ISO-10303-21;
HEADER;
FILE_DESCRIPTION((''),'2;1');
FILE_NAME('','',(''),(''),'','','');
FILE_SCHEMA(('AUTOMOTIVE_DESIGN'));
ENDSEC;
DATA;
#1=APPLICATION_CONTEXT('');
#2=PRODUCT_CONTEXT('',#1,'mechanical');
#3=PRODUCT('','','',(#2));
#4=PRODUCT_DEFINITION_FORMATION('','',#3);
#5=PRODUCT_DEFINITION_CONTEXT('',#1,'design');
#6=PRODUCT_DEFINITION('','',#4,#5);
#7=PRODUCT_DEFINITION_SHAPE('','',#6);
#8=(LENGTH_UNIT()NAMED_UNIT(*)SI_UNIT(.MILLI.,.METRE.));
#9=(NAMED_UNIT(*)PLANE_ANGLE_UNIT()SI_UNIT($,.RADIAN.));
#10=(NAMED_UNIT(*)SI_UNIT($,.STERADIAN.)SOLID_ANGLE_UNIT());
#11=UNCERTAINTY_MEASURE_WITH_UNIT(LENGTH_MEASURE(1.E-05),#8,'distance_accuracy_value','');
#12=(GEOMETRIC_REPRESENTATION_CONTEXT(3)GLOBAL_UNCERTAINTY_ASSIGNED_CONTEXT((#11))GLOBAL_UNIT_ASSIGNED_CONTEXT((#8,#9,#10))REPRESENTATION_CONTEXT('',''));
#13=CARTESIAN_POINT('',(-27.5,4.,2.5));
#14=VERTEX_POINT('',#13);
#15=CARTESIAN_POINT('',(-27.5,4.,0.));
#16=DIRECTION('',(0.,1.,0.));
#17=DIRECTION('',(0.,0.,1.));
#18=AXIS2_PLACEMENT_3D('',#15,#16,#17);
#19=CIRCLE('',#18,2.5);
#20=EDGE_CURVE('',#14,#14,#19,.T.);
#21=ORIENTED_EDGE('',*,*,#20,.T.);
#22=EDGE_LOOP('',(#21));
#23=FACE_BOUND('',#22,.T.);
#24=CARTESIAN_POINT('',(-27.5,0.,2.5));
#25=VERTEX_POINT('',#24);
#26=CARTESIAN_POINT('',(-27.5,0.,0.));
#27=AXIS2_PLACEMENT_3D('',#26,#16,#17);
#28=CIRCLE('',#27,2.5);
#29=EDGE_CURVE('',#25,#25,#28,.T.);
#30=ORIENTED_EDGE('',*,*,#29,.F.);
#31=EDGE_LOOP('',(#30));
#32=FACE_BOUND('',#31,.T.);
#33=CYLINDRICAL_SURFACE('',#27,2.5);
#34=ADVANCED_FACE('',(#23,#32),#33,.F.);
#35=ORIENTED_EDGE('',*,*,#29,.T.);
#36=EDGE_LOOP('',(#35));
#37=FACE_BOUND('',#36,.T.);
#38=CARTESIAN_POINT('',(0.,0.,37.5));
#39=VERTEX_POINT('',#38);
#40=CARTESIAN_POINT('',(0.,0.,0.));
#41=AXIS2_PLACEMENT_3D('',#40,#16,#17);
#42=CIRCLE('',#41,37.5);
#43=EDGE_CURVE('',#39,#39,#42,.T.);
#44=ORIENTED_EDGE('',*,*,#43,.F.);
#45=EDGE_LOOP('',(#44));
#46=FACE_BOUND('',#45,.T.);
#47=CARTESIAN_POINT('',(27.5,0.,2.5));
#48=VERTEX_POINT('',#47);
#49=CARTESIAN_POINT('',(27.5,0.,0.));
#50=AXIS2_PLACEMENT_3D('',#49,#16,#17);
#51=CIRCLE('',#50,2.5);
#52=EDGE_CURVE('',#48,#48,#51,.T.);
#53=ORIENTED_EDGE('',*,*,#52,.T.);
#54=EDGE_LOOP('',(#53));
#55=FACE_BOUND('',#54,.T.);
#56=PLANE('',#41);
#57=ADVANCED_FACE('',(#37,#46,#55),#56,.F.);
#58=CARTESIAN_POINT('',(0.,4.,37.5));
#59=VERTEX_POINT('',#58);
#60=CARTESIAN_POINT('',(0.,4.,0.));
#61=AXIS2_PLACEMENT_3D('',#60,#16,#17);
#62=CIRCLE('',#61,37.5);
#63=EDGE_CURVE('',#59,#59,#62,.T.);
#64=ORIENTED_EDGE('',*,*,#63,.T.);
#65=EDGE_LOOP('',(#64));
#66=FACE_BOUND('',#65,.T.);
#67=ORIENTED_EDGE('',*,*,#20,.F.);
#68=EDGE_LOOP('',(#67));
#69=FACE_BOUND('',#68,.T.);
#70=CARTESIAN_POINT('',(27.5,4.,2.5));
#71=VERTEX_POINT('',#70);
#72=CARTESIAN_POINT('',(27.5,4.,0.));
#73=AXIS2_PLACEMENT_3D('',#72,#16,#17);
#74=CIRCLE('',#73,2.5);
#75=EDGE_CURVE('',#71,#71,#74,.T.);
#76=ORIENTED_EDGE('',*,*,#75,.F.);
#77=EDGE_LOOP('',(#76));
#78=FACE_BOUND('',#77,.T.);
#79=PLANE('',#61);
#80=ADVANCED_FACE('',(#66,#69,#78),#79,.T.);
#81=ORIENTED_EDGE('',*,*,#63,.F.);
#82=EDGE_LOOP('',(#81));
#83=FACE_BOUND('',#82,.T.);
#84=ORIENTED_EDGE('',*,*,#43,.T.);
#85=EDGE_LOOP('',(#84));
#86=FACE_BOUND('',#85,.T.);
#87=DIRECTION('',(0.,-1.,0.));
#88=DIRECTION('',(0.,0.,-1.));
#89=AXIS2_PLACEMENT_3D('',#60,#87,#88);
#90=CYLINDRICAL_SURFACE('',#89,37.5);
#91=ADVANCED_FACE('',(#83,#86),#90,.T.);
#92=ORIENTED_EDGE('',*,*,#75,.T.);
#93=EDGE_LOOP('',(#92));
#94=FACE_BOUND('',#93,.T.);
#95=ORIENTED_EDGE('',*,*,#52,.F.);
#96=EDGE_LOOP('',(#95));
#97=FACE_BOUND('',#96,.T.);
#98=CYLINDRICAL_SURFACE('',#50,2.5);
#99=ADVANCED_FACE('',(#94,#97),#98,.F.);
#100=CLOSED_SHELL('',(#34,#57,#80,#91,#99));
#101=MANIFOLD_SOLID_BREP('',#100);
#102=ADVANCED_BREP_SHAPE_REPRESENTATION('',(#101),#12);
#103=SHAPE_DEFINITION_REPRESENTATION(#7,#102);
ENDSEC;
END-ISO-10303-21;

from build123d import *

# Parameters (mm, degrees)
SKETCH1_R           = 37.5
BOSS_EXTRUDE1_DEPTH = 4
SKETCH2_R           = 2.5
CUT_EXTRUDE1_DEPTH  = 54.183644102


with BuildPart() as part:
    # Sketch1 → Boss-Extrude1 (new body)
    with BuildSketch(Plane(origin=(0, 0, 0), x_dir=(1, 0, 0), z_dir=(0, 1, 0))):
        with Locations(Location((0, 0, 0), (0, 0, 270))):
            Circle(SKETCH1_R)
    extrude(amount=BOSS_EXTRUDE1_DEPTH)

    # Sketch2 → Cut-Extrude1 (cut, through all)
    with BuildSketch(Plane(origin=(0, 4, 0), x_dir=(1, 0, 0), z_dir=(0, 1, 0))):
        with Locations(Location((-27.5, 0, 0), (0, 0, 270))):
            Circle(SKETCH2_R)
        with Locations(Location((27.5, 0, 0), (0, 0, 270))):
            Circle(SKETCH2_R)
    extrude(amount=-CUT_EXTRUDE1_DEPTH, mode=Mode.SUBTRACT)


solid = part.part
